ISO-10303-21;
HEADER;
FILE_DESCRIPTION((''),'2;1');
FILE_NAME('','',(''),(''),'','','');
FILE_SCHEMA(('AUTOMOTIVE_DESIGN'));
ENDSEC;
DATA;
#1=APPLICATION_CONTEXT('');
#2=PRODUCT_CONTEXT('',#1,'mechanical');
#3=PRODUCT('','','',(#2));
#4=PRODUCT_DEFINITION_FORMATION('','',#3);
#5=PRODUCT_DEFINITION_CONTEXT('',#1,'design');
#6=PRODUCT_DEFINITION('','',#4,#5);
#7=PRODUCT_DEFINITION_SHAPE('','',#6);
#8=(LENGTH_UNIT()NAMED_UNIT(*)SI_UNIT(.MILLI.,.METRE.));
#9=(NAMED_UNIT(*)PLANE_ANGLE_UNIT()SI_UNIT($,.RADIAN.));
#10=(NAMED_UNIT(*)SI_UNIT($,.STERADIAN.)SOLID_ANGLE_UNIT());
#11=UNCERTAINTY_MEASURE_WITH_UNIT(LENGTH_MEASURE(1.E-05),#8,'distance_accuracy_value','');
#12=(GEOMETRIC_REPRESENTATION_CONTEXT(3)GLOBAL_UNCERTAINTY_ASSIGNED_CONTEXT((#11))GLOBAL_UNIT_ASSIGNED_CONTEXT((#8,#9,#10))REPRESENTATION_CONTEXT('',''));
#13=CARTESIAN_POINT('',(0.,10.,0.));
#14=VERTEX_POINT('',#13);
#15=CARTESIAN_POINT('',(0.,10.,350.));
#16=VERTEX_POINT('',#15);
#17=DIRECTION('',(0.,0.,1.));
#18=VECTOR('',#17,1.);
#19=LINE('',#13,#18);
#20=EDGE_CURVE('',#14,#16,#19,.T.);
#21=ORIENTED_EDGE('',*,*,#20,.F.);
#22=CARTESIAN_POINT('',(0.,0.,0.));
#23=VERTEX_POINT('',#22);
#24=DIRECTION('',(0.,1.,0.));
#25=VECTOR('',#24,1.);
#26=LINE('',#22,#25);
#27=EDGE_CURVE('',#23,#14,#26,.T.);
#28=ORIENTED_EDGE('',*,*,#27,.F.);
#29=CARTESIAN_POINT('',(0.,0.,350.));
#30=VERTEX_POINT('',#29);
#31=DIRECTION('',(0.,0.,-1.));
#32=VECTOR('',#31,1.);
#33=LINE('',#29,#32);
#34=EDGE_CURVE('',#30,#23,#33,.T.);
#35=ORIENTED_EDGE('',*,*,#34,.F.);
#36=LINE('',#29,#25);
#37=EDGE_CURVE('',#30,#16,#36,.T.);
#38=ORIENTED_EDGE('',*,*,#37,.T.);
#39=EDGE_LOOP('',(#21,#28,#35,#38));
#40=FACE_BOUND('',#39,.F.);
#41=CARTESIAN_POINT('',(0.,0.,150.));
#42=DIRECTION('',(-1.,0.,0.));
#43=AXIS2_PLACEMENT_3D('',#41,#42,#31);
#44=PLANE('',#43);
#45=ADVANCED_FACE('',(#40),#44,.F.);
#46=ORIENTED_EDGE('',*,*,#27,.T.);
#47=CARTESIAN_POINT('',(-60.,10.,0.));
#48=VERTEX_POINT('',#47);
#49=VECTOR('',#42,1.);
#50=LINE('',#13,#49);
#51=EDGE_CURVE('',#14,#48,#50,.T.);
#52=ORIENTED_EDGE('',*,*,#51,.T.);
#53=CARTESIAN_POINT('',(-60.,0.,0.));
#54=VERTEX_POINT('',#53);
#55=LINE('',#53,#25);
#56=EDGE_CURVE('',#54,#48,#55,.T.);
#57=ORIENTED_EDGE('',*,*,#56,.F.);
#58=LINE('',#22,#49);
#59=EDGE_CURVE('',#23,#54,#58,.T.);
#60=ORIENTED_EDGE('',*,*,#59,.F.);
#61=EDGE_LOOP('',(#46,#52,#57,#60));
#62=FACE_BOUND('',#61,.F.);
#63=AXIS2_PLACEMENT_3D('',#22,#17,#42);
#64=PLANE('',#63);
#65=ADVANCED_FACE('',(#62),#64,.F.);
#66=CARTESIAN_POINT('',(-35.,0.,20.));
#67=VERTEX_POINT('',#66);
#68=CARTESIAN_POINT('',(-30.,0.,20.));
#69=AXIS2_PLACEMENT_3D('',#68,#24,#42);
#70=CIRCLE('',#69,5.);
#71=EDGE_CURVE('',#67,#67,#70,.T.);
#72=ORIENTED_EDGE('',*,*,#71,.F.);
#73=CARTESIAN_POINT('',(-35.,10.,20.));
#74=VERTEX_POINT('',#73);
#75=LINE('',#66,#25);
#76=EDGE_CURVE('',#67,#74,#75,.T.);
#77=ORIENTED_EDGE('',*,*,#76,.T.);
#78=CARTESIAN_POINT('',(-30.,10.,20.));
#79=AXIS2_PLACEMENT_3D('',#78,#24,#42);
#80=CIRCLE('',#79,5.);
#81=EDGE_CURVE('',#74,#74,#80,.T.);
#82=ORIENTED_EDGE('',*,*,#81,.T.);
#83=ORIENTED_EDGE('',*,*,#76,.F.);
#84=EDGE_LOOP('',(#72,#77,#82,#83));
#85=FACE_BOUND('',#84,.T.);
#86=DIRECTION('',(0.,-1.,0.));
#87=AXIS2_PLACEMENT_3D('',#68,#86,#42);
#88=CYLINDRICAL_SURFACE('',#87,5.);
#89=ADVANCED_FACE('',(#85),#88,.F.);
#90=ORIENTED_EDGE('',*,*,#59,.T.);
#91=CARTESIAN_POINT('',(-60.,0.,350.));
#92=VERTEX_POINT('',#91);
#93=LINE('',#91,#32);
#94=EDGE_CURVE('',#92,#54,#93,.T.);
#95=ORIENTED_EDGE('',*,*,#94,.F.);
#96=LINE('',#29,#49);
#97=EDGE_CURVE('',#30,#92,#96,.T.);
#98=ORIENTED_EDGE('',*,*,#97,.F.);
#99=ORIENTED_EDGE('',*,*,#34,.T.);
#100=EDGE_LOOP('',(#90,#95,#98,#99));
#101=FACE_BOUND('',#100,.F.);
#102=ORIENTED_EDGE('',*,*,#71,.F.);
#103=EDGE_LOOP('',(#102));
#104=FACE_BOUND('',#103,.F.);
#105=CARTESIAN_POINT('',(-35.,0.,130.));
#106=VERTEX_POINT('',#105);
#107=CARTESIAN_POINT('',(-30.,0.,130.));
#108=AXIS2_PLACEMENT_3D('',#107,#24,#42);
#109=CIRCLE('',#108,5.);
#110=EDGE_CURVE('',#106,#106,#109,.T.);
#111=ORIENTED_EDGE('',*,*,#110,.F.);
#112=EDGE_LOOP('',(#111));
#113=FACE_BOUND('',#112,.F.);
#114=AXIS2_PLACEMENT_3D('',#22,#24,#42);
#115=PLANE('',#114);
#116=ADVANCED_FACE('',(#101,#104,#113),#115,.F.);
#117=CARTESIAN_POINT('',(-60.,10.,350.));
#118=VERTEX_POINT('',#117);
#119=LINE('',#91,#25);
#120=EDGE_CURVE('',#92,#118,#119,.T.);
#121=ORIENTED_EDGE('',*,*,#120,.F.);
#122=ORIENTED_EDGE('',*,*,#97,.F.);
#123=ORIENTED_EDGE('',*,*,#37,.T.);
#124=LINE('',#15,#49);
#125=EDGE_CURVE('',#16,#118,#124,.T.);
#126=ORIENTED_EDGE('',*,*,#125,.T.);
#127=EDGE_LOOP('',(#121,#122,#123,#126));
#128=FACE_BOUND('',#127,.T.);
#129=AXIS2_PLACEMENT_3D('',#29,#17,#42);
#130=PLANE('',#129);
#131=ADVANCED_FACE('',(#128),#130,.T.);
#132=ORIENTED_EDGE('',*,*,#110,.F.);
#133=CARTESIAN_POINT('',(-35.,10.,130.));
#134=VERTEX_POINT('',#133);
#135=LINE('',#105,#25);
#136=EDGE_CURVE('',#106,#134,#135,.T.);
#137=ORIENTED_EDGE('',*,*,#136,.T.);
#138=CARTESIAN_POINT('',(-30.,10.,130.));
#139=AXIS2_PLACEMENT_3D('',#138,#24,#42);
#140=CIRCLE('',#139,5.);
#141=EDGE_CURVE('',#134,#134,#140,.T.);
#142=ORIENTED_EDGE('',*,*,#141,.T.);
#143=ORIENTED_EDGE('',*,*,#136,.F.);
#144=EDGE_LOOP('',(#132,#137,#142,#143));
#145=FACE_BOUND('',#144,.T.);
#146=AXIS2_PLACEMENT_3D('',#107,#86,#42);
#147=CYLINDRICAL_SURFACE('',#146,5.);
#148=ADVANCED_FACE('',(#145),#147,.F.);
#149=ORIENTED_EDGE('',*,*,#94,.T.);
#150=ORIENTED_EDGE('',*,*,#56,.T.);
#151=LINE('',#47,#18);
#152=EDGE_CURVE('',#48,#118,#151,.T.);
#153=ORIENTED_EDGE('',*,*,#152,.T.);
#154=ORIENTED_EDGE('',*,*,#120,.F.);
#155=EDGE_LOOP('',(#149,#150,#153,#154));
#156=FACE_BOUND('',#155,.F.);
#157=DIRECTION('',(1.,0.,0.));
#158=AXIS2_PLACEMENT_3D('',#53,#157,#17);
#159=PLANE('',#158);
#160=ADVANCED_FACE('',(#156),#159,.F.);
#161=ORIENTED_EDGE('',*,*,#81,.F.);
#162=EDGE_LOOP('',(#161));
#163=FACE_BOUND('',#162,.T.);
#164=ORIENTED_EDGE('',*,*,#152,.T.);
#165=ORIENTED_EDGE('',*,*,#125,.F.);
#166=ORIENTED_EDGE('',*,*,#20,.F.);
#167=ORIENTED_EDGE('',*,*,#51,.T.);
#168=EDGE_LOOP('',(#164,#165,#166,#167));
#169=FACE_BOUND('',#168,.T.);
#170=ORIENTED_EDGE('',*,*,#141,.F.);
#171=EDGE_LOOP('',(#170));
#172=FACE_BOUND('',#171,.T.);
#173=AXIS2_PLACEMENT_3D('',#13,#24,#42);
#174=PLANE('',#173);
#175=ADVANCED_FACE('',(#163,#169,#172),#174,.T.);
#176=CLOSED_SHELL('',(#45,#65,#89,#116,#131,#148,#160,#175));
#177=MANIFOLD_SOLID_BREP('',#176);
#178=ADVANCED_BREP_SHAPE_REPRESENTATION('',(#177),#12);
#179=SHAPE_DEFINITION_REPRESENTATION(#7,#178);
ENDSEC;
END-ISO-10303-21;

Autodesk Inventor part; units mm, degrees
ref_plane "YZ Plane" through (0, 0, 0) normal (1, 0, 0) x (0, 1, 0)
ref_plane "XZ Plane" through (0, 0, 0) normal (0, 1, 0) x (-1, 0, 0)
ref_plane "XY Plane" through (0, 0, 0) normal (0, 0, 1) x (1, 0, 0)
sketch "Block1" plane through (0, 0, 0) normal (0, 0, 1) x (1, 0, 0)
  line L0 (0.22, 350.22) -> (0.22, -0.22)
  line L1 (0.22, -0.22) -> (-60.22, -0.22)
  line L2 (-60.22, -0.22) -> (-60.22, 350.22)
  line L3 (-60.22, 350.22) -> (0.22, 350.22)
  circle A0 centre (-30, 130) radius 5.22
  circle A1 centre (-30, 20) radius 5.22
  point P0 (-30, 150)
sketch "Sketch1" plane through (0, 0, 0) normal (0, 1, 0) x (-1, 0, 0)
  line L0 (0, 0) -> (60, 0)
  line L1 (60, 0) -> (60, 150)
  line L2 (60, 150) -> (0, 150)
  line L3 (0, 150) -> (0, 0)
  circle A0 centre (30, 130) radius 5
  circle A1 centre (30, 20) radius 5
  line L4 (60, 150) -> (0, 150)
  line L5 (0, 150) -> (0, 350)
  line L6 (0, 350) -> (60, 350)
  line L7 (60, 350) -> (60, 150)
  dimension "d0" = 60
  dimension "d1" = 150
  dimension "d4" = 10
  dimension "d5" = 10
  dimension "d6" = 20
  dimension "d7" = 20
  dimension "d8" = 30
  dimension "d11" = 30
  dimension "d12" = 200
extrude "Extrusion3" add sketch "Sketch1" along normal blind 10
sketch "Sketch3" plane through (0, 0, 0) normal (0, -1, 0) x (1, 0, 0)
  circle A0 centre (-30, 20) radius 5 projected
  circle A1 centre (-30, 130) radius 5 projected
  line L0 (0, 0) -> (-60, 0) projected
  line L1 (0, 350) -> (0, 0) projected
  line L2 (-60, 350) -> (0, 350) projected
  line L3 (-60, 0) -> (-60, 350) projected
sketch "Sketch4" plane through (0, 0, 0) normal (0, 1, 0) x (-1, 0, 0)
  point P0 (0, 0)
equation "\"d8\" = 0.5 * d0"
equation "\"d11\" = 0.5 * d0"
properties part number "holderBlock2"
